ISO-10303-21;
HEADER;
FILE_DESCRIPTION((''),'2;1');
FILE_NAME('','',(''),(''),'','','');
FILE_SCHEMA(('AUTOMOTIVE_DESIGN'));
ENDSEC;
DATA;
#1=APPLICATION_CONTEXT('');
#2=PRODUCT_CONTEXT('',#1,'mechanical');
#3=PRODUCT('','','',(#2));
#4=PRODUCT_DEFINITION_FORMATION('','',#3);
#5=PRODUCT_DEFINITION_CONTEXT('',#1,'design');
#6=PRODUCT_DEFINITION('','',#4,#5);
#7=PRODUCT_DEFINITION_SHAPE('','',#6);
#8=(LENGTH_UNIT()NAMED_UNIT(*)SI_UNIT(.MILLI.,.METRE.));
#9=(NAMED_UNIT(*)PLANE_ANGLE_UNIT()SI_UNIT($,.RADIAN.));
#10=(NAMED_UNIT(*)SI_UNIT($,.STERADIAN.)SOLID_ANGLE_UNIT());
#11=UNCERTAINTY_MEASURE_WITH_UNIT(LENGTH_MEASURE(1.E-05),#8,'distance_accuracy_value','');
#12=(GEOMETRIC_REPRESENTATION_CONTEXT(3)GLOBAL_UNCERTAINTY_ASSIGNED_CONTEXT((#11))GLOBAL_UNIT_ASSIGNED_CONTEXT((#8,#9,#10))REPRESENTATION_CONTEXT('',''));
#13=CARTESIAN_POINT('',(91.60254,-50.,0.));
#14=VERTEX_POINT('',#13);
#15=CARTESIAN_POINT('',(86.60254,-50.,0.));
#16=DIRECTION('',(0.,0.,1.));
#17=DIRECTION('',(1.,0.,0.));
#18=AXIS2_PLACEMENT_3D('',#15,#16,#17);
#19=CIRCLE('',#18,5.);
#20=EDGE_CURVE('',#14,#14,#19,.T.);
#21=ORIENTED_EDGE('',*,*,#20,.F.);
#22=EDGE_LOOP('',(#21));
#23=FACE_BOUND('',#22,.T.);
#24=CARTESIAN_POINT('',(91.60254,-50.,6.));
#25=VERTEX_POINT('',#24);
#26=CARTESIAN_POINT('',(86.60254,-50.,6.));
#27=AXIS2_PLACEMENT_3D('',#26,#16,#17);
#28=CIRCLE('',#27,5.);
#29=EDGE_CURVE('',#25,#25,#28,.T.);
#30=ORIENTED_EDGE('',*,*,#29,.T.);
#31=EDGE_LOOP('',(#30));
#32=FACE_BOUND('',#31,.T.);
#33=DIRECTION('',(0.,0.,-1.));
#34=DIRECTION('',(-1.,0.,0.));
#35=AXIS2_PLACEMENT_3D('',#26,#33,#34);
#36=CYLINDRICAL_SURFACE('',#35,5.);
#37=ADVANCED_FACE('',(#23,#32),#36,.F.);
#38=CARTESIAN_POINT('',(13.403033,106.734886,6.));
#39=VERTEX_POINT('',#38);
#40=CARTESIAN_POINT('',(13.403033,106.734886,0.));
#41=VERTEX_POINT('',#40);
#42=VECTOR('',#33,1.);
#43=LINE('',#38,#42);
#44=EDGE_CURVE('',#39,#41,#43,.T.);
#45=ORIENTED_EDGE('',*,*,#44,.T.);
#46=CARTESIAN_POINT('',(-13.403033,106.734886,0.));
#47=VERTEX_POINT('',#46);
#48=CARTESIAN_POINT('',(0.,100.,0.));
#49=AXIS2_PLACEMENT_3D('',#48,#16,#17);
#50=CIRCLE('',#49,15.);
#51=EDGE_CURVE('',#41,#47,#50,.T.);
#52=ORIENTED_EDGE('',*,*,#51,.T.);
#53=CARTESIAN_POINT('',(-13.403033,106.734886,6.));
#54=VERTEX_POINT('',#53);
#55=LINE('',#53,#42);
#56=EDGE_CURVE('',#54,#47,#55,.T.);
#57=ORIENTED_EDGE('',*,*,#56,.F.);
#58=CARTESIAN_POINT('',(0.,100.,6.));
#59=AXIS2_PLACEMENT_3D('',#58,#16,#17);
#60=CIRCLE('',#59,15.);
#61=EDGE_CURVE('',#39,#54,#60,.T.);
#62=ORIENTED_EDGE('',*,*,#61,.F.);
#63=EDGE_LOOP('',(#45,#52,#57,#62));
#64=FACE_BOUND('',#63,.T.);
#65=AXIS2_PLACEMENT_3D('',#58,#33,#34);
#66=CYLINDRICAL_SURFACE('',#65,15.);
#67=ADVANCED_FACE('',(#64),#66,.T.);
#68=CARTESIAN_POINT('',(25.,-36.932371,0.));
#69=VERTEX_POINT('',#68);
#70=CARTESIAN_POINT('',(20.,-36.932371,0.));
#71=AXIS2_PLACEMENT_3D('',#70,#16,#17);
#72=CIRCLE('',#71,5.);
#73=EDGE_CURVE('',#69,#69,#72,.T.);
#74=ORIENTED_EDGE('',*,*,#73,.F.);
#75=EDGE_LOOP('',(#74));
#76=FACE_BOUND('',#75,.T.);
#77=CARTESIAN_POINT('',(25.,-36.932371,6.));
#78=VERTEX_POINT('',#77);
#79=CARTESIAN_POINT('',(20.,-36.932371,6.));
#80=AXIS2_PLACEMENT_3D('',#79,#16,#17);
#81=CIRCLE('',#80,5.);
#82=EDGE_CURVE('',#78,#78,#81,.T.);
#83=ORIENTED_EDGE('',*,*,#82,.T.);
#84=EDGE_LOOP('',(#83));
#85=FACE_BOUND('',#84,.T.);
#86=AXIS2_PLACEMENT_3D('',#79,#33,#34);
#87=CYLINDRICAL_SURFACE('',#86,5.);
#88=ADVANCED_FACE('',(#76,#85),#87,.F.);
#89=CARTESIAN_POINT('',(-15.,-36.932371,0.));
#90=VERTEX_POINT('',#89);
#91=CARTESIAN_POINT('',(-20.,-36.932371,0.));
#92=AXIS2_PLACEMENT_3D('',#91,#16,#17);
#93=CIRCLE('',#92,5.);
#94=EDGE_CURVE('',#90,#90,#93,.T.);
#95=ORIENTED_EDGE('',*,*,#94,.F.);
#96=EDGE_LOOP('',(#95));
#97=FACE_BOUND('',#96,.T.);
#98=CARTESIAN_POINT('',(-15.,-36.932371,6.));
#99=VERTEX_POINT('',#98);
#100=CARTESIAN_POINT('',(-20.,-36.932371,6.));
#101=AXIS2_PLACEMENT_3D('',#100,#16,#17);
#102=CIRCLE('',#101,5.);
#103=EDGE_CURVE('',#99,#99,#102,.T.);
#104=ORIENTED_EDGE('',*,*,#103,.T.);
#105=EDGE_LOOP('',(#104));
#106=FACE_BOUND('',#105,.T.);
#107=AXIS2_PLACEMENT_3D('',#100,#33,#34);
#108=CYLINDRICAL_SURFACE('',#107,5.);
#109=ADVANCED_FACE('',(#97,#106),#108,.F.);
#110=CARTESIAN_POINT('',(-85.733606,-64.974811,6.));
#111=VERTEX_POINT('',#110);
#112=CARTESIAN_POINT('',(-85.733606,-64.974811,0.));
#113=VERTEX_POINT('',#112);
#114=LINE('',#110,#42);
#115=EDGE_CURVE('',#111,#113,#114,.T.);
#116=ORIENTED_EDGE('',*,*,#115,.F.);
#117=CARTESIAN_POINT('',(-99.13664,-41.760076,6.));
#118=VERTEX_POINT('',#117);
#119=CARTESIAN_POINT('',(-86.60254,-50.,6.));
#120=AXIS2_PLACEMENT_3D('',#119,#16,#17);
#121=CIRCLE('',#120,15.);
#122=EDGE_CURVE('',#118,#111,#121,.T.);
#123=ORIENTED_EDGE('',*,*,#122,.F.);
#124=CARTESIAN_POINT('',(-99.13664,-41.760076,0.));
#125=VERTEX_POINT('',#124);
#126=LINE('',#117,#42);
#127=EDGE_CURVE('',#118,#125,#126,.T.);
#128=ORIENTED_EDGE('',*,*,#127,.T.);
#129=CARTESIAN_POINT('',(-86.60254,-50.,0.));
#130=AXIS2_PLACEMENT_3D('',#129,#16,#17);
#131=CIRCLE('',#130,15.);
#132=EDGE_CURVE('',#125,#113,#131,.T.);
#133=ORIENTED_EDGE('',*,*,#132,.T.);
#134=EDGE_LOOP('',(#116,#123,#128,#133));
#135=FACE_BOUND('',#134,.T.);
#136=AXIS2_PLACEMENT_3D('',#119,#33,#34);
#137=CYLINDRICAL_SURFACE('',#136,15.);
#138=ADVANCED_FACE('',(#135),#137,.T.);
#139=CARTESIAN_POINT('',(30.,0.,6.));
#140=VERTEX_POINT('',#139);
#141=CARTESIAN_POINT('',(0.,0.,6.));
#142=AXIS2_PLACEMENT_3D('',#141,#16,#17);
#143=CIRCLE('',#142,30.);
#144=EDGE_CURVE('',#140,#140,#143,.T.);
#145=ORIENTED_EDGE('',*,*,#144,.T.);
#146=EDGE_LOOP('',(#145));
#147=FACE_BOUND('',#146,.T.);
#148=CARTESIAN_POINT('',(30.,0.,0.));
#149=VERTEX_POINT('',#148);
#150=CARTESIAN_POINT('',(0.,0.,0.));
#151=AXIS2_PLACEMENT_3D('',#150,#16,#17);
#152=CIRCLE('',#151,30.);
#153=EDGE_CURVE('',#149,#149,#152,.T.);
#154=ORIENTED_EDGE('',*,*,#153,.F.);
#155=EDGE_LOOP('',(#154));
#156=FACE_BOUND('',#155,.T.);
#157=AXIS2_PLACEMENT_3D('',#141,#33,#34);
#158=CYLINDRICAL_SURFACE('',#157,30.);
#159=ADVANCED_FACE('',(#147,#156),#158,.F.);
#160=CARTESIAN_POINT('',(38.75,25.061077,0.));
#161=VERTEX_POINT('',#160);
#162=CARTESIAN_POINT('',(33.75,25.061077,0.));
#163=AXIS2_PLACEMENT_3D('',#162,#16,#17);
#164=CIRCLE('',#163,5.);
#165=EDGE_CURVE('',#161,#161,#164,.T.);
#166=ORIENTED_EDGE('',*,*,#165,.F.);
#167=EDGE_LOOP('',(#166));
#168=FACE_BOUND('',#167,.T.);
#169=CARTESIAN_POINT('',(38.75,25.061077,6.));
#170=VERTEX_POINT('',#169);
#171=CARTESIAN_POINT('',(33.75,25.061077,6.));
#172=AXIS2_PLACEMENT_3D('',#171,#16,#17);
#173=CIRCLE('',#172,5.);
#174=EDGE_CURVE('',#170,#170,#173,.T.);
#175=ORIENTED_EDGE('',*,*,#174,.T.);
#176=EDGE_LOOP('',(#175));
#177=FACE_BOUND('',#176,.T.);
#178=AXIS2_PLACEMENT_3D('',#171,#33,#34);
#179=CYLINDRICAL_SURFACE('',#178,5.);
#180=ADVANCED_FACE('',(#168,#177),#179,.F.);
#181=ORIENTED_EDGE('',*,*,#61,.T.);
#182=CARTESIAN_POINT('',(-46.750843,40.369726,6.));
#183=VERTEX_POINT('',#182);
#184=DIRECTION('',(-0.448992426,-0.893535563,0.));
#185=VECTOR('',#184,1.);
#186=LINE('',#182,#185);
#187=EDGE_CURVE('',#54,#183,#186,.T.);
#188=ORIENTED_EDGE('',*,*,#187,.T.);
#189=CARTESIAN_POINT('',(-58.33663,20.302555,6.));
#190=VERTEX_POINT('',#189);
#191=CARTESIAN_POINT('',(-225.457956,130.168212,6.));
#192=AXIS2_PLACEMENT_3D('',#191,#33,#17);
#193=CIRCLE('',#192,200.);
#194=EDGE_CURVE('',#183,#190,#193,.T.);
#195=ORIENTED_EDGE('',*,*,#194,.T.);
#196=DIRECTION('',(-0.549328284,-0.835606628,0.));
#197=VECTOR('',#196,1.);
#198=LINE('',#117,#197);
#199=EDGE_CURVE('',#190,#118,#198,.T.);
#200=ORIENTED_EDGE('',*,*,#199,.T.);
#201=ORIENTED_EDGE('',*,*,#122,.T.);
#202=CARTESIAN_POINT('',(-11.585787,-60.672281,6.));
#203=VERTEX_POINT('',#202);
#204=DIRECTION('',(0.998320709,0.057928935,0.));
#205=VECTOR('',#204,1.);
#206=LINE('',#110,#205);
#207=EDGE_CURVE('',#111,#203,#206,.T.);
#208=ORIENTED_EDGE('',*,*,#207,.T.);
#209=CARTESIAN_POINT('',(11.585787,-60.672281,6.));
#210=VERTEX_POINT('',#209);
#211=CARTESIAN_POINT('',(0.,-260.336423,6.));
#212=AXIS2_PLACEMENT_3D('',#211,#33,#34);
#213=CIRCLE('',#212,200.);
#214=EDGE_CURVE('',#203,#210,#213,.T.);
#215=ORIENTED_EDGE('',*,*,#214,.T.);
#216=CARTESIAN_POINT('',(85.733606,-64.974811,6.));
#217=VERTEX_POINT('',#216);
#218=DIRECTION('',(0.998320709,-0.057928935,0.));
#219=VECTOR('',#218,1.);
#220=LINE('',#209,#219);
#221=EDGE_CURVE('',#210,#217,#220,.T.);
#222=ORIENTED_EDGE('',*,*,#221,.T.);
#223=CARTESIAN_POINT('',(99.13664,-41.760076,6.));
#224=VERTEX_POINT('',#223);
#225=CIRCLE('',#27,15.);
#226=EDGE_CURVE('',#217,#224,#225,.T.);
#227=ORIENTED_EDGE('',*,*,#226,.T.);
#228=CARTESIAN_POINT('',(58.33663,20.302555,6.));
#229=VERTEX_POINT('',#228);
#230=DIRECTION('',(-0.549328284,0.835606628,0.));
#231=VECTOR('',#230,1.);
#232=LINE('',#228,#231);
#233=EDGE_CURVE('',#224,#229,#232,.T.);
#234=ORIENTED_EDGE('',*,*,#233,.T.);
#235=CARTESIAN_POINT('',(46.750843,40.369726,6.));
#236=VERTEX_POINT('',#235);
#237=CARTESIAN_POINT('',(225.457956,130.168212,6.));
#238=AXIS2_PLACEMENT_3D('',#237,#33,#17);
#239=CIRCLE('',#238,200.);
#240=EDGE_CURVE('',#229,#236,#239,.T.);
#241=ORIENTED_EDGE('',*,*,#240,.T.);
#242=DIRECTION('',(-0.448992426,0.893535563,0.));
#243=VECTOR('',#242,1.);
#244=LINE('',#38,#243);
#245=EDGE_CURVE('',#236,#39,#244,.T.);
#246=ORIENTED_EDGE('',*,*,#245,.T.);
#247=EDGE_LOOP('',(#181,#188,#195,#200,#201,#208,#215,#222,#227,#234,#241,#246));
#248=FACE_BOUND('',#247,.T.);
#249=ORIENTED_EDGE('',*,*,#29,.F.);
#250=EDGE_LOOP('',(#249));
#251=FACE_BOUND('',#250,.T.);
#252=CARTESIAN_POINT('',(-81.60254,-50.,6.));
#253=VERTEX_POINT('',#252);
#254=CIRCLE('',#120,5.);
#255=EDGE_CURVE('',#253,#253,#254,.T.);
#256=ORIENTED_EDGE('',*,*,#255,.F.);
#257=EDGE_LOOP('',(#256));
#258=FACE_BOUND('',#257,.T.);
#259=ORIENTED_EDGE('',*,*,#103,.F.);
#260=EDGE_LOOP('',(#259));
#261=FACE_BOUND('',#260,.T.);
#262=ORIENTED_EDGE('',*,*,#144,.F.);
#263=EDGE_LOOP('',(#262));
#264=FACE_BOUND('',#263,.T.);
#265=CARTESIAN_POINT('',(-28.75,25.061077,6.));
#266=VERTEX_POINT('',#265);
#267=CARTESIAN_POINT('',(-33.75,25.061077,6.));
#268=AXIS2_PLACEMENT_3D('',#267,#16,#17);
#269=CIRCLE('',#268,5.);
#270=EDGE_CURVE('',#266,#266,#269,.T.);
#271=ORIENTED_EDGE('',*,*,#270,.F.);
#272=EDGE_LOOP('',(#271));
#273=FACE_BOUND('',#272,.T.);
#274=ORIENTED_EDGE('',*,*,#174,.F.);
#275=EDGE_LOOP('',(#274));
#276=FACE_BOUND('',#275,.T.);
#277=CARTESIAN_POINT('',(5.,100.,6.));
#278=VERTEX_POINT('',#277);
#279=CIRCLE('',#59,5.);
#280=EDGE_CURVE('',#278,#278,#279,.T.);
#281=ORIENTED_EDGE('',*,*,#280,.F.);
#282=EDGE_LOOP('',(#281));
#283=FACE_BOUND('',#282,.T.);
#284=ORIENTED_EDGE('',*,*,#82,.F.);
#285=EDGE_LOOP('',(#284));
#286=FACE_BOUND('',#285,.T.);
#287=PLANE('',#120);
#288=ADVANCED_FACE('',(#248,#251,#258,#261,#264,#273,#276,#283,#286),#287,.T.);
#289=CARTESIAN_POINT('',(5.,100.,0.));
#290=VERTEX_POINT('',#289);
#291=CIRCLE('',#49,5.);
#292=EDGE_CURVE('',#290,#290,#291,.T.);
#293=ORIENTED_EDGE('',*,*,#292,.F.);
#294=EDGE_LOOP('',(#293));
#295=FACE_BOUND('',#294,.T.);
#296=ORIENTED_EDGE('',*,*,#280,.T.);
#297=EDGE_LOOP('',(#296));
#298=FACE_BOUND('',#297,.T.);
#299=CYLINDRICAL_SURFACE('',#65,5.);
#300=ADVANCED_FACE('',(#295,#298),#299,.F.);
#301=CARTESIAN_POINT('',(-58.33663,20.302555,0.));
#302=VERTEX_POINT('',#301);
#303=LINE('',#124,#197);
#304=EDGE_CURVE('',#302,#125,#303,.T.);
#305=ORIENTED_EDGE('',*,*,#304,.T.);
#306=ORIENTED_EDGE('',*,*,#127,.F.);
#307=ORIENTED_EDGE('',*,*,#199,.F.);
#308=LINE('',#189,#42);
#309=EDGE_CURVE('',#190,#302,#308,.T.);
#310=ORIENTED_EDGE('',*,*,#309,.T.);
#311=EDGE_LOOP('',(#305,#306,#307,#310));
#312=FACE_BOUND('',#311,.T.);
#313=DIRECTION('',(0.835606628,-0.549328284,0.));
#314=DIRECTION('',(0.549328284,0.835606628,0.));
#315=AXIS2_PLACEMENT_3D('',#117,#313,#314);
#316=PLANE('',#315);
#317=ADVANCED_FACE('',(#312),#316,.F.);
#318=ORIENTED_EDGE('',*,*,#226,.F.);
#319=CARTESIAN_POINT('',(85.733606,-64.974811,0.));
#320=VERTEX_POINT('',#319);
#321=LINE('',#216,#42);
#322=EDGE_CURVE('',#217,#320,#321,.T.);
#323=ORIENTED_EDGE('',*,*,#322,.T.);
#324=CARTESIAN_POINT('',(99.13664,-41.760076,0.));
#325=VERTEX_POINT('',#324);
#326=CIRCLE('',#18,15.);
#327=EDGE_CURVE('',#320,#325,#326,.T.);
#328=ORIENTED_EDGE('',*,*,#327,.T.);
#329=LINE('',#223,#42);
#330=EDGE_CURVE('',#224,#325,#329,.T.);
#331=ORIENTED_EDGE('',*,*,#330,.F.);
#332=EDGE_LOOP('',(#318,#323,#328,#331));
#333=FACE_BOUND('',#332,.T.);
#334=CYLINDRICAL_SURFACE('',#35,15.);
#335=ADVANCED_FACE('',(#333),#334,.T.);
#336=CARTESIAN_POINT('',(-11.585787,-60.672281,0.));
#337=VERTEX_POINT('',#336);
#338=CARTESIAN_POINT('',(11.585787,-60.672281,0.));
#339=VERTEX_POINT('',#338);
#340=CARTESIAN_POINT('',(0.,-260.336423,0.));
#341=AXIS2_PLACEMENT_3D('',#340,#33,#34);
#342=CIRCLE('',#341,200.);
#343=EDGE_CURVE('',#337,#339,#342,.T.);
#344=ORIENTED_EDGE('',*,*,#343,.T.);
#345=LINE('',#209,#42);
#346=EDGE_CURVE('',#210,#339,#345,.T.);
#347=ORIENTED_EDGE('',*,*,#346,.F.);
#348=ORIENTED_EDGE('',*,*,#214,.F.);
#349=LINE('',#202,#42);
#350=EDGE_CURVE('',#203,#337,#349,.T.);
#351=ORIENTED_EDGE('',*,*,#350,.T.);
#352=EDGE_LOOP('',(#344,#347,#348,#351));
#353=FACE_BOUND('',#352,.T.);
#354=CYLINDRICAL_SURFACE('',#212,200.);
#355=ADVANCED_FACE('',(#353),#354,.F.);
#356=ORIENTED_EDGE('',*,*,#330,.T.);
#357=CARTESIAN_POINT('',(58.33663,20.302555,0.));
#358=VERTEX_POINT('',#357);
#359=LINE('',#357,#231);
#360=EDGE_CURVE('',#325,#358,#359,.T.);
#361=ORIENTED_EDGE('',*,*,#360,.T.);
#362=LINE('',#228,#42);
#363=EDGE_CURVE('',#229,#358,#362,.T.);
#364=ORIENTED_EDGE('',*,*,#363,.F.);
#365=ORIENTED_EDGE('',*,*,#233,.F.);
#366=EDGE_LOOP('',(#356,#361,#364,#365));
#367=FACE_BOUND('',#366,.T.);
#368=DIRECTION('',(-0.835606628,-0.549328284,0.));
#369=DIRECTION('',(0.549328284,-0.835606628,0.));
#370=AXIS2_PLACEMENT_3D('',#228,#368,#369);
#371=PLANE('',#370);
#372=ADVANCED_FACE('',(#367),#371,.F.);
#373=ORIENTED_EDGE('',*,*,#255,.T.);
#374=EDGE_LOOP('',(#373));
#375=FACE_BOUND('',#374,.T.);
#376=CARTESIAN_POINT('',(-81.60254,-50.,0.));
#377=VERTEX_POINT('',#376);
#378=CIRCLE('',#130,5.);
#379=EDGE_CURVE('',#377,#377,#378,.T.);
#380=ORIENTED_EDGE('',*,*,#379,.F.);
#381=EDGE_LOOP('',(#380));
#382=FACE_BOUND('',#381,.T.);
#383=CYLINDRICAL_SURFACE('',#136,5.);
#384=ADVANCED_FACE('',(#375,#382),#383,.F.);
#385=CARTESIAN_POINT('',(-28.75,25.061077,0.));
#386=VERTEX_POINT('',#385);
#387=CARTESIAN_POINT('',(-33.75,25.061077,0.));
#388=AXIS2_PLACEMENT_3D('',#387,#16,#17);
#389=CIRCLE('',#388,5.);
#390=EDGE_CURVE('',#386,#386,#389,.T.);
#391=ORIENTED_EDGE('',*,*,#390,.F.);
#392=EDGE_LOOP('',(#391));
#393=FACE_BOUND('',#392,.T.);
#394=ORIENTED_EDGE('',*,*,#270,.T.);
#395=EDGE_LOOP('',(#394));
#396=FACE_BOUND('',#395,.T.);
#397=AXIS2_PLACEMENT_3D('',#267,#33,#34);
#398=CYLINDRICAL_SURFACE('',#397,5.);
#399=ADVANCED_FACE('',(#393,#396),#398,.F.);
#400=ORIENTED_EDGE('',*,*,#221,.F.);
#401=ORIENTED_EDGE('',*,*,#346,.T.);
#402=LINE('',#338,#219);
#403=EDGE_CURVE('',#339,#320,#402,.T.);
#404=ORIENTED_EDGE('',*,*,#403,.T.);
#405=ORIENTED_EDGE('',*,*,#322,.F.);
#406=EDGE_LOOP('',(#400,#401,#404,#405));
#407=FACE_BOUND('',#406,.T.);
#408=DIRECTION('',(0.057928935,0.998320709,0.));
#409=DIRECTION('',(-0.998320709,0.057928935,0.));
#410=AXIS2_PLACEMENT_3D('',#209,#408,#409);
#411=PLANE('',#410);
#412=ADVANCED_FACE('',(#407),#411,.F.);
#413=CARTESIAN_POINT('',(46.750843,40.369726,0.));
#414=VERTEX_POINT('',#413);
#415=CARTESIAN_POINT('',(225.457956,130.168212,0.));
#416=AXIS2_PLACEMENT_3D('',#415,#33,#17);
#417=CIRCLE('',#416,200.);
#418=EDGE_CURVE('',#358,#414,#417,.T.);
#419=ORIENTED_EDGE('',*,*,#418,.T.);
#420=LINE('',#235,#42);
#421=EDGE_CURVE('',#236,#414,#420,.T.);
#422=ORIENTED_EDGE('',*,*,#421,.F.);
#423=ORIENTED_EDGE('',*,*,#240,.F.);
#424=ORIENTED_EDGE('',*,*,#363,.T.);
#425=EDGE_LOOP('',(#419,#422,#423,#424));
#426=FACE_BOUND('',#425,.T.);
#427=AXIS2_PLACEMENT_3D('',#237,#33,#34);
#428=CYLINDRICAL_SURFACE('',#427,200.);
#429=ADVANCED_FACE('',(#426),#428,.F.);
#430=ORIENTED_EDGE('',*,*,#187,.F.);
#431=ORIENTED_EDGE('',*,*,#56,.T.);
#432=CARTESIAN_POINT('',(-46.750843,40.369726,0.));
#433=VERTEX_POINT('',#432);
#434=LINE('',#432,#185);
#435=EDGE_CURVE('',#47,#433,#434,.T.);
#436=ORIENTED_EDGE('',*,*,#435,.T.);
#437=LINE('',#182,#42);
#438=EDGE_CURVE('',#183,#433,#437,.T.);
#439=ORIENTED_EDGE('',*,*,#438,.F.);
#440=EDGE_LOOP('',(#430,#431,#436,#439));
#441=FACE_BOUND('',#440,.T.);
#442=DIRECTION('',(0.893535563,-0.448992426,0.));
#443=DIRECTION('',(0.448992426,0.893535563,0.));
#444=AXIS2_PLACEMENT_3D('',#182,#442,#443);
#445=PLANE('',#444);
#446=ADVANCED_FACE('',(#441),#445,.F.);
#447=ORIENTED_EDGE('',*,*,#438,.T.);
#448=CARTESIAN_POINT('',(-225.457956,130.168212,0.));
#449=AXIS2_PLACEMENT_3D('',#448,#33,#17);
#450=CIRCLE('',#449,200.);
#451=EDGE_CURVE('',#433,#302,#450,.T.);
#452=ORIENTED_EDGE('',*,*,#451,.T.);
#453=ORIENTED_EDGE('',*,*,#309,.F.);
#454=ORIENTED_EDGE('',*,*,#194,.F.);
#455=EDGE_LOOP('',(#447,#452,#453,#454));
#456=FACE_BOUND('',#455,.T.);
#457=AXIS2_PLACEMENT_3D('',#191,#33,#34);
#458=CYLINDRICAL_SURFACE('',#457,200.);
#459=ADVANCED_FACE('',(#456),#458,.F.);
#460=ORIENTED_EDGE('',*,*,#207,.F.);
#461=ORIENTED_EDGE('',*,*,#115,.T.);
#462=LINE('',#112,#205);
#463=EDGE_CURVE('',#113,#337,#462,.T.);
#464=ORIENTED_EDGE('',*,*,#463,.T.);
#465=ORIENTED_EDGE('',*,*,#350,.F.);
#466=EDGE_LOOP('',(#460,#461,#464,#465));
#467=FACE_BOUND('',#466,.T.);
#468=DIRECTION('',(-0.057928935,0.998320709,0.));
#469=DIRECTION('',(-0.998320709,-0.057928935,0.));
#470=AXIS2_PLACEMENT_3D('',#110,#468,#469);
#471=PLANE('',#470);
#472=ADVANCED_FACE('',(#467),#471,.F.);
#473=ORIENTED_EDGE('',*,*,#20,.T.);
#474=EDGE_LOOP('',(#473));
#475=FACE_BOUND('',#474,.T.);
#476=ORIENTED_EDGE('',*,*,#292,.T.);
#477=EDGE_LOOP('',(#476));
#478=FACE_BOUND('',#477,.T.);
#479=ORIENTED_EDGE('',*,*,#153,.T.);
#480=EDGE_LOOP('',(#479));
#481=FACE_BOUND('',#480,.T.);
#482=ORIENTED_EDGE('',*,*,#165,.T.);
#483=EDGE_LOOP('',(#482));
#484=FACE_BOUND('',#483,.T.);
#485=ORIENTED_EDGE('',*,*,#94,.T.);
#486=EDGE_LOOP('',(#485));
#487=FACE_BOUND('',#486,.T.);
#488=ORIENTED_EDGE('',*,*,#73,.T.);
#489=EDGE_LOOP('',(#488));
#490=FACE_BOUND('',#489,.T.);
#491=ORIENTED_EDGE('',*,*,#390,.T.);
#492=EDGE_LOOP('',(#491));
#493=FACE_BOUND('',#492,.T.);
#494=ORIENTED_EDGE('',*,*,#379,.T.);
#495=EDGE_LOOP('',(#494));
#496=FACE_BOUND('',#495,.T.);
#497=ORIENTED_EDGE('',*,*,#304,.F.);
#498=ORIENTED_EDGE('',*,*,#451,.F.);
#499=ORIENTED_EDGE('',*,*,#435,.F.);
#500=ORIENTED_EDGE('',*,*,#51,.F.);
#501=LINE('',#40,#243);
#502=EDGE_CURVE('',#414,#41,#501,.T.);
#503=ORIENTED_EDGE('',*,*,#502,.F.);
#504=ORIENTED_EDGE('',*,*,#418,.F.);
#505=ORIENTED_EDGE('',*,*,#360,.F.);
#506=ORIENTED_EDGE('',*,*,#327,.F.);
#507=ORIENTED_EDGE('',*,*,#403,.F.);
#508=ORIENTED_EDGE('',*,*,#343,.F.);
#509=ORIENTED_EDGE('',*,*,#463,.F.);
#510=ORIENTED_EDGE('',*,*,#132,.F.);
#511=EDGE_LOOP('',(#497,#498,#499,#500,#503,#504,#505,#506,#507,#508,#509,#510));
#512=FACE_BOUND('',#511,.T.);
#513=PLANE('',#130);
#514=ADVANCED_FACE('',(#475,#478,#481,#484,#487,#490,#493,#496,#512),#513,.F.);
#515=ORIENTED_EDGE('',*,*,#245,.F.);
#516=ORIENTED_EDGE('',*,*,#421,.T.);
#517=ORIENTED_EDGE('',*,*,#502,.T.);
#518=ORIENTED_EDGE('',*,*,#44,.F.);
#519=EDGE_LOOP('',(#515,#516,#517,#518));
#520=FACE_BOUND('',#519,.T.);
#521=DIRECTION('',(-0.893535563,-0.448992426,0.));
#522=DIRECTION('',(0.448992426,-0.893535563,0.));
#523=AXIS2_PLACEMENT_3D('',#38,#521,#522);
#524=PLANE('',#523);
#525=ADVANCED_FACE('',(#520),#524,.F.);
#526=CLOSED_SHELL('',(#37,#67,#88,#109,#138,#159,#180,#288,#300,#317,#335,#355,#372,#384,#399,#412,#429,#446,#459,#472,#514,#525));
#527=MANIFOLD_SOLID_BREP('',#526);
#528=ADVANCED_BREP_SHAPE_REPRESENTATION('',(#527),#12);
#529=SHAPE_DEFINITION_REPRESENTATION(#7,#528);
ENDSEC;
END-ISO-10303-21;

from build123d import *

# Parameters (mm, degrees)
SKETCH1_R           = 5
SKETCH1_R_2         = 30
BOSS_EXTRUDE1_DEPTH = 6


with BuildPart() as part:
    # Sketch1 → Boss-Extrude1 (new body)
    with BuildSketch(Plane.XY):
        with BuildLine():
            Line((-99.136639798, -41.760075744), (-58.33663034, 20.302554811))
            ThreePointArc((-58.33663034, 20.302554811), (-52.252875179, 30.168211551), (-46.750843398, 40.36972644))
            Line((-46.750843398, 40.36972644), (-13.40303344, 106.734886383))
            ThreePointArc((-13.40303344, 106.734886383), (0, 115), (13.40303344, 106.734886383))
            Line((13.40303344, 106.734886383), (46.750843398, 40.36972644))
            ThreePointArc((46.750843398, 40.36972644), (52.252875179, 30.168211551), (58.33663034, 20.302554811))
            Line((58.33663034, 20.302554811), (99.136639798, -41.760075744))
            ThreePointArc((99.136639798, -41.760075744), (99.592921435, -57.5), (85.733606358, -64.974810639))
            Line((85.733606358, -64.974810639), (11.585786942, -60.672281251))
            ThreePointArc((11.585786942, -60.672281251), (0, -60.336423102), (-11.585786942, -60.672281251))
            Line((-11.585786942, -60.672281251), (-85.733606358, -64.974810639))
            ThreePointArc((-85.733606358, -64.974810639), (-99.592921435, -57.5), (-99.136639798, -41.760075744))
        make_face()
        with Locations((0, 100)):
            Circle(SKETCH1_R, mode=Mode.SUBTRACT)
        with Locations((86.602540378, -50)):
            Circle(SKETCH1_R, mode=Mode.SUBTRACT)
        with Locations((-86.602540378, -50)):
            Circle(SKETCH1_R, mode=Mode.SUBTRACT)
        Circle(SKETCH1_R_2, mode=Mode.SUBTRACT)
        with Locations((-33.75, 25.061076609)):
            Circle(SKETCH1_R, mode=Mode.SUBTRACT)
        with Locations((33.75, 25.061076609)):
            Circle(SKETCH1_R, mode=Mode.SUBTRACT)
        with Locations((-20, -36.932370625)):
            Circle(SKETCH1_R, mode=Mode.SUBTRACT)
        with Locations((20, -36.932370625)):
            Circle(SKETCH1_R, mode=Mode.SUBTRACT)
    extrude(amount=BOSS_EXTRUDE1_DEPTH)


solid = part.part
